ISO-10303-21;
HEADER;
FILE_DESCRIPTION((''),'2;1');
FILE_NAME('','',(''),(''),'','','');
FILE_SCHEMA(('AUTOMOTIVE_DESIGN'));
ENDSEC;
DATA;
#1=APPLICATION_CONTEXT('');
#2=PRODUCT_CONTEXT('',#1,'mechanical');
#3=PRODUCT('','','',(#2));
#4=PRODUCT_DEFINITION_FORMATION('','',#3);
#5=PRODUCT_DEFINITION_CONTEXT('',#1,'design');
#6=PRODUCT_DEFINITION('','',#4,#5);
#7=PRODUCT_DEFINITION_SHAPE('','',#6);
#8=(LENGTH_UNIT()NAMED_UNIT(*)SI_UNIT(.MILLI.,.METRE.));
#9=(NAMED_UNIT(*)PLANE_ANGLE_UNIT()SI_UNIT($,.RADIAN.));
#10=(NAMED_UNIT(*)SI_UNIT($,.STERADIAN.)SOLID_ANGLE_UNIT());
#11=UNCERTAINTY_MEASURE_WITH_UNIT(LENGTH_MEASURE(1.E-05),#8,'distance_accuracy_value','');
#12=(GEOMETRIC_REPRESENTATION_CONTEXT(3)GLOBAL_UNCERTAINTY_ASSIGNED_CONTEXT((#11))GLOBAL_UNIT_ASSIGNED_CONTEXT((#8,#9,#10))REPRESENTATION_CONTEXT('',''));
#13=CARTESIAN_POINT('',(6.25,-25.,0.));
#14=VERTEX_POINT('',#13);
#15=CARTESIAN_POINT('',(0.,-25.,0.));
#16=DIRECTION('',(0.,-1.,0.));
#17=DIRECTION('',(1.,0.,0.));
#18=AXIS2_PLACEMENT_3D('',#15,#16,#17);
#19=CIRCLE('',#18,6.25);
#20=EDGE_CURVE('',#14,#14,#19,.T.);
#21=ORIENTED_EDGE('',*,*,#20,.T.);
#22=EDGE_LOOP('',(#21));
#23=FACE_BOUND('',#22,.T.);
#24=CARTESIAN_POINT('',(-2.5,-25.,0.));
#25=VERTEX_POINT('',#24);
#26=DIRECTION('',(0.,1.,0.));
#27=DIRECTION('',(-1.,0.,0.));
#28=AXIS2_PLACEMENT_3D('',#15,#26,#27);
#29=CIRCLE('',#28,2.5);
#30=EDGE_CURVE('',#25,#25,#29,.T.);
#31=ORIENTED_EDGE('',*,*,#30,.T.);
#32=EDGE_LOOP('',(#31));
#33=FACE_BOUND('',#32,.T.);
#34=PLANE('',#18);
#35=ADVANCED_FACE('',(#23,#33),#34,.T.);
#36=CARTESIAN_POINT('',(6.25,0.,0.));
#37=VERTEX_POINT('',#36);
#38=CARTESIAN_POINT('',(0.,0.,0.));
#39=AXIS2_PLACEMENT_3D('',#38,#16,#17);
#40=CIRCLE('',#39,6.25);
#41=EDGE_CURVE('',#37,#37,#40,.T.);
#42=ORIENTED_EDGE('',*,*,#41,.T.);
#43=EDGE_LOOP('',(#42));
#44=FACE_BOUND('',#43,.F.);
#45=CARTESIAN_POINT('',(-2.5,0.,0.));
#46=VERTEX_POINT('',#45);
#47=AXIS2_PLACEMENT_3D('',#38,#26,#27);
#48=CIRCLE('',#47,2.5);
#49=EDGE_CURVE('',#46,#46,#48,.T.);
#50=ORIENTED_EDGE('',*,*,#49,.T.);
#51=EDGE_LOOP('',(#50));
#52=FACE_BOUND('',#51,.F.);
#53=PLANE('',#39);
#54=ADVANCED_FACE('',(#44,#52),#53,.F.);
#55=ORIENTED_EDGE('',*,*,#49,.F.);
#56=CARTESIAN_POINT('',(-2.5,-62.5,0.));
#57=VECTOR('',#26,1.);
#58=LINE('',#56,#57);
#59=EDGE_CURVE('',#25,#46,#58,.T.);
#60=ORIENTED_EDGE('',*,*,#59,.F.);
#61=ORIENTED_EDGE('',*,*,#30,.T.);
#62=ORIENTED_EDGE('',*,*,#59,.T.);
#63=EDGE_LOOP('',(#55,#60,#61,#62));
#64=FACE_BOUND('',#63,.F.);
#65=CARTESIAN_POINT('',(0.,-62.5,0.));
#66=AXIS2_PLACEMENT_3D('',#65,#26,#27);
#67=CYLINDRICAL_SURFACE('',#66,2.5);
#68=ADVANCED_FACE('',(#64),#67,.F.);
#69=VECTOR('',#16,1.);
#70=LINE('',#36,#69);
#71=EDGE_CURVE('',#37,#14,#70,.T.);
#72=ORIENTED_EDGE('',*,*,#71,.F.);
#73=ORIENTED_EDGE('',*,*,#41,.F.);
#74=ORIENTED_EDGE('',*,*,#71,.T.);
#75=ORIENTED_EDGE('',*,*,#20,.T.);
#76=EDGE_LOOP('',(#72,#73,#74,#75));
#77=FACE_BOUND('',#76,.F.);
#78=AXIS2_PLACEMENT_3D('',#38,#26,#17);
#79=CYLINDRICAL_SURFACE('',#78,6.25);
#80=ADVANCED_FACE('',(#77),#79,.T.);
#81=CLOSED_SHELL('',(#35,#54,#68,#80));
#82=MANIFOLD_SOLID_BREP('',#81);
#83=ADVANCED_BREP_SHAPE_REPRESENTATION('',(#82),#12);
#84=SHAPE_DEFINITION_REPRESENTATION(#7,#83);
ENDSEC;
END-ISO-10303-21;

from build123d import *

# Parameters (mm, degrees)
F0_R     = 6.25
F1_DEPTH = 25
F3_D     = 5
F3_DEPTH = 37.5


with BuildPart() as f1:
    # F0 (on Front) → F1 (new body)
    with BuildSketch(Plane.XZ):
        Circle(F0_R)
    extrude(amount=F1_DEPTH)

    # F3
    with Locations(Plane.XZ.offset(25)):
        with Locations((0, 0)):
            Hole(F3_D / 2, depth=F3_DEPTH)


solid = f1.part
